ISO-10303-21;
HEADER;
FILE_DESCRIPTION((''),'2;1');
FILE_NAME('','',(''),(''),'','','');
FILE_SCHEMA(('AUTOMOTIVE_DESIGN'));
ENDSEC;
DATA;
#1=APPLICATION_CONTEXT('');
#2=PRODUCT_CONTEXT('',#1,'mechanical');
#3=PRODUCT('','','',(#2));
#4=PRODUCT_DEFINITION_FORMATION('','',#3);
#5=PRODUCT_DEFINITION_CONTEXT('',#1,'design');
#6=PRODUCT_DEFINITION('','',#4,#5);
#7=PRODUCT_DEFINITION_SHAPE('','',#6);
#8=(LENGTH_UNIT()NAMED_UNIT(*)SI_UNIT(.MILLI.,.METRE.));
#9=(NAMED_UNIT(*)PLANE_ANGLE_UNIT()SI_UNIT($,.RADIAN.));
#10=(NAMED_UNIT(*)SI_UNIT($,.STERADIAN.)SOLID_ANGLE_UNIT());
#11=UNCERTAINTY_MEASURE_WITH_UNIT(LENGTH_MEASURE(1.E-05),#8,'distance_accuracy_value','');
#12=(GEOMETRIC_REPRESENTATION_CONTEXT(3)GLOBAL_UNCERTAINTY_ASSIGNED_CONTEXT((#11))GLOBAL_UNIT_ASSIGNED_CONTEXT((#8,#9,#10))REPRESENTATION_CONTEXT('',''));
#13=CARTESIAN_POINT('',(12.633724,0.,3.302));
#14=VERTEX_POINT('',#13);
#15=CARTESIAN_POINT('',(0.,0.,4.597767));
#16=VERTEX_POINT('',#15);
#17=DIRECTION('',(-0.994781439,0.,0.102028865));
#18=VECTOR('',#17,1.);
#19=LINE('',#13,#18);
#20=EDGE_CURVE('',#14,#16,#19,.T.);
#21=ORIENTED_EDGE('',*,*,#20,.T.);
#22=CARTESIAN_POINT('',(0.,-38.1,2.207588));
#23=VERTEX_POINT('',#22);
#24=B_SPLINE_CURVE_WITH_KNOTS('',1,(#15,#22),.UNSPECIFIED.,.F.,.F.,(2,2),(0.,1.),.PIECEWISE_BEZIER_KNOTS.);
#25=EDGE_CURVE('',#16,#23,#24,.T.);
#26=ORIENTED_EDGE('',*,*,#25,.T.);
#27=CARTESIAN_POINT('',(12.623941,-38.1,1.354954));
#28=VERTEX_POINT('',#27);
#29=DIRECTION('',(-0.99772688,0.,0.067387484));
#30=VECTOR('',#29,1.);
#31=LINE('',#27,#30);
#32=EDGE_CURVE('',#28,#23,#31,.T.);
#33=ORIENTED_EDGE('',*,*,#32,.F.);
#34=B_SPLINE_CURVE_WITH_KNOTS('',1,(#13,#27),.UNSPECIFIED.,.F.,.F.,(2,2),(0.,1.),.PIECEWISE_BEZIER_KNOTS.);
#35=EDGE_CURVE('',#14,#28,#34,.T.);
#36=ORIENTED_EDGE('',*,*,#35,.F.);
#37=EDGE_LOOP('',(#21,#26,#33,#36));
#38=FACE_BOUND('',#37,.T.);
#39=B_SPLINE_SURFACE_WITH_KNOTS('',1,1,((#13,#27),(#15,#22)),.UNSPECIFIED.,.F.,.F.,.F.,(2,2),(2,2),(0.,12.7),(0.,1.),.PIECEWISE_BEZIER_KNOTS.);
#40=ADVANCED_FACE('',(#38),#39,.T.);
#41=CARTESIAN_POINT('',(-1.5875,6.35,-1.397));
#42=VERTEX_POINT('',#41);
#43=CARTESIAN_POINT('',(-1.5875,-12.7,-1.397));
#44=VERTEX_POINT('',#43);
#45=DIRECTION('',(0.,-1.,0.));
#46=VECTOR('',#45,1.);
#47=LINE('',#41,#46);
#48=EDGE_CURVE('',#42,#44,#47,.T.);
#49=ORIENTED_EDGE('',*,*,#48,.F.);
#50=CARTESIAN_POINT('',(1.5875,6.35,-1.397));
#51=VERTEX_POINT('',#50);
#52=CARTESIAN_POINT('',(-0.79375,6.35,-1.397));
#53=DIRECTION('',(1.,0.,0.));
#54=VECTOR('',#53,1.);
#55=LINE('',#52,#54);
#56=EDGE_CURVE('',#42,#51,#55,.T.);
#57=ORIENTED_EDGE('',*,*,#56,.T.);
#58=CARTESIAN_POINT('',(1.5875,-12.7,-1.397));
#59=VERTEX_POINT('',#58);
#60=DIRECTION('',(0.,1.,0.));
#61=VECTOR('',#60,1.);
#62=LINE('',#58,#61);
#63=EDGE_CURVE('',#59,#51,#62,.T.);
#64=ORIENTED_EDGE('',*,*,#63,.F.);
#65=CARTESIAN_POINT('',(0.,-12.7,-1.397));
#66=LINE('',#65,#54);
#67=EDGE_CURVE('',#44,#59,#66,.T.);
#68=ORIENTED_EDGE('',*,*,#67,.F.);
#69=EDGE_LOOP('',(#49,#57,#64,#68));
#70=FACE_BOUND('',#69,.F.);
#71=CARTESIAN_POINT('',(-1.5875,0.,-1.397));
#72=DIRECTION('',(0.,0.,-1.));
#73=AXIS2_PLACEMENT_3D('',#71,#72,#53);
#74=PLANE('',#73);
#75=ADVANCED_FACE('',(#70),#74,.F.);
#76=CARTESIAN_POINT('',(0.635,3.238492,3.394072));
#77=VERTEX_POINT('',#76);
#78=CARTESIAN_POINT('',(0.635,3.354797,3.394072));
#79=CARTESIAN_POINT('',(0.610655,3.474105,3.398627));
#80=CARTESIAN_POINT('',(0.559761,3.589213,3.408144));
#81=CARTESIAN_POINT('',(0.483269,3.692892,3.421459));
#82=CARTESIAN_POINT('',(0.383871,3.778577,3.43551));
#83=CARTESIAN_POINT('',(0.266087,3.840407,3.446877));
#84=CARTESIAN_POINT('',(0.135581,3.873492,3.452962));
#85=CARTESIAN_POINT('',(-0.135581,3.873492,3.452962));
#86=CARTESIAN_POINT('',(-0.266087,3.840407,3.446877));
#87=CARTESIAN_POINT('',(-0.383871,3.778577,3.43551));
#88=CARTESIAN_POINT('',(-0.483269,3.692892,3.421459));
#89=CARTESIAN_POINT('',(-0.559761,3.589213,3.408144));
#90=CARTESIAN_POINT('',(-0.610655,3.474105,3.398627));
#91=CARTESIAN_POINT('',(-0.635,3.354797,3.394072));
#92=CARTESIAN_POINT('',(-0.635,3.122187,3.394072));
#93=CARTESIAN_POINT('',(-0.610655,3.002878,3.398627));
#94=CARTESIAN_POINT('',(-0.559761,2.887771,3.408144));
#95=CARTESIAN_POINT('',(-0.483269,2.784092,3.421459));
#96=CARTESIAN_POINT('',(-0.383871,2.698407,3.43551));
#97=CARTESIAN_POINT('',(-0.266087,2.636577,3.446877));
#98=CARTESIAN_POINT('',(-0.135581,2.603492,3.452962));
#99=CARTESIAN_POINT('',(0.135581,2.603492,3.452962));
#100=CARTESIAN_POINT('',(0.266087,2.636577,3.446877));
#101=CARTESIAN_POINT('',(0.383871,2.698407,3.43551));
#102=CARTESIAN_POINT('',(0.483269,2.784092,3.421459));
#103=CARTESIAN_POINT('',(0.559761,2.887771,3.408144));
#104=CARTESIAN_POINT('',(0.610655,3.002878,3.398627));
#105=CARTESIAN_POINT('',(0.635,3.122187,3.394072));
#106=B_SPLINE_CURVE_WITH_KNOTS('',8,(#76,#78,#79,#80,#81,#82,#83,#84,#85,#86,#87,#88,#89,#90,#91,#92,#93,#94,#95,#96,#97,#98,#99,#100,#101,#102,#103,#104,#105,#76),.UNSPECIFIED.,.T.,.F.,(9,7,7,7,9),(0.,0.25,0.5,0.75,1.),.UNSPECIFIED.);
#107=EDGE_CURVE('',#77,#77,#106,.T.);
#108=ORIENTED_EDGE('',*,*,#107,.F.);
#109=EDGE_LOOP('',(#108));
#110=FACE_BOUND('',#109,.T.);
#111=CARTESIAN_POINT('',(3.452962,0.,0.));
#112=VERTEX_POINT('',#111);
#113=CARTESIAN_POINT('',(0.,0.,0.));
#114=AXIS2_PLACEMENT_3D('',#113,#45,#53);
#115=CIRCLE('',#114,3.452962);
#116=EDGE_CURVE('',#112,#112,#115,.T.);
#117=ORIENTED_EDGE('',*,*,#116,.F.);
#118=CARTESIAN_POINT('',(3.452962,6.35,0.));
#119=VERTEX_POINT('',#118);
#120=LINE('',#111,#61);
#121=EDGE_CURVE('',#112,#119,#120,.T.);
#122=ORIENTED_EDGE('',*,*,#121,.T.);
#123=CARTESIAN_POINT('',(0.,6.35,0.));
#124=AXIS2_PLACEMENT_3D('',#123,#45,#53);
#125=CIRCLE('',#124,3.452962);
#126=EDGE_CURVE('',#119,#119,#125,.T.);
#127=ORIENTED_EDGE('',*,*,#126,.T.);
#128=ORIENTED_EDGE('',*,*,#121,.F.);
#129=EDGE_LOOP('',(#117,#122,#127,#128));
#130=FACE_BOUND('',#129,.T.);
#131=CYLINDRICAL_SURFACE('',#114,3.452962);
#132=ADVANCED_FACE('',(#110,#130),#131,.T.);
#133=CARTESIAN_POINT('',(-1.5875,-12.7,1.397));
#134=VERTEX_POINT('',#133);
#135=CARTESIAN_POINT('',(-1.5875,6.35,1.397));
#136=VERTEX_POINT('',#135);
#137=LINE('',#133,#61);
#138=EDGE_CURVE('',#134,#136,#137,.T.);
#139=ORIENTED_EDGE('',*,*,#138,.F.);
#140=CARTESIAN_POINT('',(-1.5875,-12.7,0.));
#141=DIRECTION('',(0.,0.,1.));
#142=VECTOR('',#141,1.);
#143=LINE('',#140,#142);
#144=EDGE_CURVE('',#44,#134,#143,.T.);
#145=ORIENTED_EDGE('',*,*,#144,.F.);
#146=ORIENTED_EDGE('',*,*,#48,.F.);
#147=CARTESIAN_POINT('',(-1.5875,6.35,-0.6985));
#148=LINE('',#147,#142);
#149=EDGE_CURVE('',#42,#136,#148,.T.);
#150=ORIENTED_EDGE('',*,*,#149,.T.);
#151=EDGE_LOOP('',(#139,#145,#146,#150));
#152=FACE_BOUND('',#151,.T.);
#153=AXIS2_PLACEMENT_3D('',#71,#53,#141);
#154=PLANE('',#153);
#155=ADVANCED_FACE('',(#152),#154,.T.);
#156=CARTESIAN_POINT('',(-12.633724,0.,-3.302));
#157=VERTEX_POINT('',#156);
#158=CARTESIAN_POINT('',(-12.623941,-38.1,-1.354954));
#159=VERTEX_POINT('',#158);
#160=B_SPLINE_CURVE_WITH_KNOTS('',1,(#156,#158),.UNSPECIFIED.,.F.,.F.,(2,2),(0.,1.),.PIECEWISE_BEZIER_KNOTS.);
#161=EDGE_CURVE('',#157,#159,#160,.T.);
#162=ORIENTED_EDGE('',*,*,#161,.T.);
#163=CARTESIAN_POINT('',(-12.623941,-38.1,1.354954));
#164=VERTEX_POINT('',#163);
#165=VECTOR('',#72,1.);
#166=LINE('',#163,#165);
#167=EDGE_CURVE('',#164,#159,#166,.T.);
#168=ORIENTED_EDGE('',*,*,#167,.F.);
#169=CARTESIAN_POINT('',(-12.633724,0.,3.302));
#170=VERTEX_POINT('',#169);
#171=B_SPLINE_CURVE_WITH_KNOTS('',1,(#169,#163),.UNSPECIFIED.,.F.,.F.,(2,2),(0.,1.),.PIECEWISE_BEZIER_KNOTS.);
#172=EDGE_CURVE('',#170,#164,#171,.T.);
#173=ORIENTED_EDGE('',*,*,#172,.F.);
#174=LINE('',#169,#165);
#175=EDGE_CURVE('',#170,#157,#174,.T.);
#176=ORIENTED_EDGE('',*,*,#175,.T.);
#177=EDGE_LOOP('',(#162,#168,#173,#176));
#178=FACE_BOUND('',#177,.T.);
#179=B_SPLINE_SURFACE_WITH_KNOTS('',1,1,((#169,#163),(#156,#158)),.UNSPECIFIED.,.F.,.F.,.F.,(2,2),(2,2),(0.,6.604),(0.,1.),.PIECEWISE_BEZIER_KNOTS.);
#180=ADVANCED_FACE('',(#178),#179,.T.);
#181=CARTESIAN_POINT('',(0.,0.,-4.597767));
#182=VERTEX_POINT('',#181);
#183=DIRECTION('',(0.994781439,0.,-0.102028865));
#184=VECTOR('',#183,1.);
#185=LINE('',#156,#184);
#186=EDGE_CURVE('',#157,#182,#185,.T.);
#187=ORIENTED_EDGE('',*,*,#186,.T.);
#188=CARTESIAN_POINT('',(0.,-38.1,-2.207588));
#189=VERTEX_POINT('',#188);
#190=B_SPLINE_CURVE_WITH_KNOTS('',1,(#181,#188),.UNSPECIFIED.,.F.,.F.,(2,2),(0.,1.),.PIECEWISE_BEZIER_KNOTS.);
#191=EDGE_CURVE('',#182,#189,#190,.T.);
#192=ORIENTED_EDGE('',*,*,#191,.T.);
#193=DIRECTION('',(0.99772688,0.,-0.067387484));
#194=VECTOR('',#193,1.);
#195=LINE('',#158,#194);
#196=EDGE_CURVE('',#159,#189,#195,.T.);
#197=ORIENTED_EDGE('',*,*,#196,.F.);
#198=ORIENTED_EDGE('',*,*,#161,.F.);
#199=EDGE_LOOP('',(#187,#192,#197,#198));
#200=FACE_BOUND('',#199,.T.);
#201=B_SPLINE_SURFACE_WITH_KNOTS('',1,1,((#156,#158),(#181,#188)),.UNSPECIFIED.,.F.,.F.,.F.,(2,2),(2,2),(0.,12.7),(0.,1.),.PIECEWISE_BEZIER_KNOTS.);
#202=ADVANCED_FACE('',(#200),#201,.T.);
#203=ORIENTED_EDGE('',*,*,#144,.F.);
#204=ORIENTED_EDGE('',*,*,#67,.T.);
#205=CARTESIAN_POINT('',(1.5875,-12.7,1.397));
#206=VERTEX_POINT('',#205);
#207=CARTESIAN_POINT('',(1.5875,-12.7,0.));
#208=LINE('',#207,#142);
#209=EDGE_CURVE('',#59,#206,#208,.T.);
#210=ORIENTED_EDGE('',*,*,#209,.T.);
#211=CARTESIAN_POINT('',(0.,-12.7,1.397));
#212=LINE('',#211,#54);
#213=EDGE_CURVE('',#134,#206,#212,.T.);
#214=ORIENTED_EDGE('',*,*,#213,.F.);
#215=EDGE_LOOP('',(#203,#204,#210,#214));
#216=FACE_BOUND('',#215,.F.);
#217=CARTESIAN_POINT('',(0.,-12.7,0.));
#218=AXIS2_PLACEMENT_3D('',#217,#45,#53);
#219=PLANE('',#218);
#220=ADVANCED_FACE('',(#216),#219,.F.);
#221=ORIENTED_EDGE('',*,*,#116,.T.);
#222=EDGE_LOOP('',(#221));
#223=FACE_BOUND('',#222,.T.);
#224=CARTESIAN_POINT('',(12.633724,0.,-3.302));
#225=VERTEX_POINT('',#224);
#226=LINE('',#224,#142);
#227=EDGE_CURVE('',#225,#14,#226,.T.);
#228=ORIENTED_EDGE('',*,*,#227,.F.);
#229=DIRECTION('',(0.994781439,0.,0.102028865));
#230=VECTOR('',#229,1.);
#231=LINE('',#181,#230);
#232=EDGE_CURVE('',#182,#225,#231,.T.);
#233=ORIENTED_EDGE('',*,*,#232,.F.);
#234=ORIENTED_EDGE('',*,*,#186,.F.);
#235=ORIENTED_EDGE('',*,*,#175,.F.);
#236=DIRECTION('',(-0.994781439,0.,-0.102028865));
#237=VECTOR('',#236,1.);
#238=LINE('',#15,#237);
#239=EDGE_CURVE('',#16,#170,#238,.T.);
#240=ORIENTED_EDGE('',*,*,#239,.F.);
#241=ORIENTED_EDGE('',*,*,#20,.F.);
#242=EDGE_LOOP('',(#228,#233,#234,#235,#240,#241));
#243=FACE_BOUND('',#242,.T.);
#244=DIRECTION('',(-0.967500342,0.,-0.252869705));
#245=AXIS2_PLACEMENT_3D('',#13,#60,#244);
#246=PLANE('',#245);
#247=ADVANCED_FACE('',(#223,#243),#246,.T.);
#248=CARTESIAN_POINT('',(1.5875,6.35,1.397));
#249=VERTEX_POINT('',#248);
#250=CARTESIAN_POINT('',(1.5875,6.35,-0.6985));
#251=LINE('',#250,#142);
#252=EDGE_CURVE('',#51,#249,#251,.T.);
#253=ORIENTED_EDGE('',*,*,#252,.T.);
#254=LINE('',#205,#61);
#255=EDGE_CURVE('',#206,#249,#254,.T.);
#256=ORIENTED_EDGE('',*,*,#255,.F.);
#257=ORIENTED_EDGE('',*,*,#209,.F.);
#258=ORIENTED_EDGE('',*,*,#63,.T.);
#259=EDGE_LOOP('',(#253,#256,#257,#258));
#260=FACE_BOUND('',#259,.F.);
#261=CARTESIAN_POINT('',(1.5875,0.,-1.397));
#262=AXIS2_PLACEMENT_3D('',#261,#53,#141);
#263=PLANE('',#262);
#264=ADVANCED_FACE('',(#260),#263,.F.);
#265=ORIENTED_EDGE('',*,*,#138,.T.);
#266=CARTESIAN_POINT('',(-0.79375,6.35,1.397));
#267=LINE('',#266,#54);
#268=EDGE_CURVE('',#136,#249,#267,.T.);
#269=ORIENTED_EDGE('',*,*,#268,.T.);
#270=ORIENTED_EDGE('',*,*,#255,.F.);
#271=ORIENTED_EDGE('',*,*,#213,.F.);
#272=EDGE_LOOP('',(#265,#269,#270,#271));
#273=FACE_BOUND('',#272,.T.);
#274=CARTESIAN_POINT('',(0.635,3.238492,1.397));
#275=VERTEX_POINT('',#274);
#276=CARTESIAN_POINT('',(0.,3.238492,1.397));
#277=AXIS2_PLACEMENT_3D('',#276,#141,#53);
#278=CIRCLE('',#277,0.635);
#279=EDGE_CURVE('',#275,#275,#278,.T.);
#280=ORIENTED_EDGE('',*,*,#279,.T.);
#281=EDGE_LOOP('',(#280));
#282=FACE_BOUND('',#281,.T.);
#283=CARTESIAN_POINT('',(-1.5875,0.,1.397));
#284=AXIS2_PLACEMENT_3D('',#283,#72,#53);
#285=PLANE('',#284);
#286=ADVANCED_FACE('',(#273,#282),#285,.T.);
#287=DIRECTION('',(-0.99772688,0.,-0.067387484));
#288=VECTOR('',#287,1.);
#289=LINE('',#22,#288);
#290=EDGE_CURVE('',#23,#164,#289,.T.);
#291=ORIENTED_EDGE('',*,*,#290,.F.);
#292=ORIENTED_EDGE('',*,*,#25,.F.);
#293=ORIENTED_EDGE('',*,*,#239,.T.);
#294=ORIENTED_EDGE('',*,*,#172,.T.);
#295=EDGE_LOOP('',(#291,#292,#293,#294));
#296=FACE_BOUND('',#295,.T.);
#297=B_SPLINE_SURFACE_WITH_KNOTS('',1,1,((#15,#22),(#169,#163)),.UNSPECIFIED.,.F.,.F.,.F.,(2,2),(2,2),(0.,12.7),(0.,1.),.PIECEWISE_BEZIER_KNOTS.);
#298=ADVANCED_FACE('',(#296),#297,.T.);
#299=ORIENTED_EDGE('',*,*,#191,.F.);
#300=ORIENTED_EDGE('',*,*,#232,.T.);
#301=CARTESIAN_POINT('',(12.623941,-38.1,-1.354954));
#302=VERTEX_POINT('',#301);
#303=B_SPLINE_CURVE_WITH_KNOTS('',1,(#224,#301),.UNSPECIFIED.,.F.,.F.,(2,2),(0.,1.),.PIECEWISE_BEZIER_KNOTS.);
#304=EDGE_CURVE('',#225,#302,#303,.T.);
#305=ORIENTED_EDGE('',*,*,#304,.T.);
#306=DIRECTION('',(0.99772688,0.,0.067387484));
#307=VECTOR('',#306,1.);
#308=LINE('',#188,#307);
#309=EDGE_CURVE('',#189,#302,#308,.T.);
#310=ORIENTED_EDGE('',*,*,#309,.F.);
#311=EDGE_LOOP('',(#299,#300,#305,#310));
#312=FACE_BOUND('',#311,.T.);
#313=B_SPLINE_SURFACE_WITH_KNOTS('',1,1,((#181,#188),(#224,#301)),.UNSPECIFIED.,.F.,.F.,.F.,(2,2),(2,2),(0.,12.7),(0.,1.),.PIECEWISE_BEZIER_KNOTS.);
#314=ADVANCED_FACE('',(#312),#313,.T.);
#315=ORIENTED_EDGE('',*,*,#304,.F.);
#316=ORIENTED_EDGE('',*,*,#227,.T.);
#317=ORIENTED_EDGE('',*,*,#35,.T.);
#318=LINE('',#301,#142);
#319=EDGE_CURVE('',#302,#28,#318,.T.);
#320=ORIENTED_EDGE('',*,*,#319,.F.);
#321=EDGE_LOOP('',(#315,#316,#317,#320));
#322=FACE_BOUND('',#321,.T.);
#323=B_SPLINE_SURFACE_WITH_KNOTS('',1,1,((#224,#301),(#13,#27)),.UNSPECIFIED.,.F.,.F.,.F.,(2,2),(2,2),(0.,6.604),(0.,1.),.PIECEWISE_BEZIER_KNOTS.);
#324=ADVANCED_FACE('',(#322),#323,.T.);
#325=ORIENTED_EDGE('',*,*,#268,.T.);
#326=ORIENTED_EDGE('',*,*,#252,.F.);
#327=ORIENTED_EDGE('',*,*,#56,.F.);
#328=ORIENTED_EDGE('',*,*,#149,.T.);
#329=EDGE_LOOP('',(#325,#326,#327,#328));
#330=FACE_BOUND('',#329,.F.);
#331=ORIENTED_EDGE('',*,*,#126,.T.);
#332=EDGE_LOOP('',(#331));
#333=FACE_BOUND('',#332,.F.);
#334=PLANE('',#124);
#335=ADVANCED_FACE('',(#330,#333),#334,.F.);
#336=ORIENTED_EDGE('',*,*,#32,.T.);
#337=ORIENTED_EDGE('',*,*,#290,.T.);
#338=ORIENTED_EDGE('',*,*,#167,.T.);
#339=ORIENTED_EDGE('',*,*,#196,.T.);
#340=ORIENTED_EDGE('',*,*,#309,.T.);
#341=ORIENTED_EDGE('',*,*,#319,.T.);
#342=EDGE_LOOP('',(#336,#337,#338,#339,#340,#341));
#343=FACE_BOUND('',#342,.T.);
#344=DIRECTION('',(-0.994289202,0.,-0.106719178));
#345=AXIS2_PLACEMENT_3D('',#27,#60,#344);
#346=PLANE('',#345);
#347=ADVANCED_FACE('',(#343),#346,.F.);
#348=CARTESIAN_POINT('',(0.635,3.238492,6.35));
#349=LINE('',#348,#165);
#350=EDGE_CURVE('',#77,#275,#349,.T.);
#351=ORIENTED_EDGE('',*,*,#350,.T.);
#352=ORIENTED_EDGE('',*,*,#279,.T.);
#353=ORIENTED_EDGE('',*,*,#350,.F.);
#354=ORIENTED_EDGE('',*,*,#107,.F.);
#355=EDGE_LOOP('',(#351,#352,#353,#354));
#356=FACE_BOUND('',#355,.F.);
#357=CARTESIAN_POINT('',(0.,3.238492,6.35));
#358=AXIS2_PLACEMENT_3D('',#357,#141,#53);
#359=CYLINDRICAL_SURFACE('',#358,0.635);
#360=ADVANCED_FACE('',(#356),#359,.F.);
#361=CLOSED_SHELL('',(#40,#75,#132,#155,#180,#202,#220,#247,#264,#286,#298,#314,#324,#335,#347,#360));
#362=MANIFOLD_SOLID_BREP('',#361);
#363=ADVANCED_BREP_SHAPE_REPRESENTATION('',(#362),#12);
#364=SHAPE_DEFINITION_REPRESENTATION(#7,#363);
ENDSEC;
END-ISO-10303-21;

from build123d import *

# Parameters (mm, degrees)
F4_R          = 3.4529620344
F5_DEPTH      = 6.35
F6_W          = 3.175
F6_H          = 2.794
F7_DEPTH      = 25.4
F7_DEPTH_BACK = 12.7
F9_R          = 0.635
F10_DEPTH     = 6.35


with BuildPart() as f3:
    # F1 (on Front) → F3 section 0
    with BuildSketch(Plane.XZ):
        Polygon((12.6337242704, 3.302), (0, 4.5977665918), (-12.6337242704, 3.302), (-12.6337242704, 0), (-12.6337242704, -3.302), (0, -4.5977665918), (12.6337242704, -3.302), (12.6337242704, 0), align=None)
    # F2 (on offset) → F3 section 1
    with BuildSketch(Plane.XZ.offset(38.1)):
        Polygon((12.6239405945, -1.3549544383), (12.6239405945, 0), (12.6239405945, 1.3549544383), (0, 2.2075881716), (-12.6239405945, 1.3549544383), (-12.6239405945, 0), (-12.6239405945, -1.3549544383), (0, -2.2075881716), align=None)
    loft()

    # F4 (on Front) → F5 (join)
    with BuildSketch(Plane.XZ):
        Circle(F4_R)
    extrude(amount=-F5_DEPTH)

    # F6 (on Front) → F7 (cut, two sides)
    with BuildSketch(Plane.XZ) as f7_sk:
        Rectangle(F6_W, F6_H)
    extrude(amount=-F7_DEPTH, mode=Mode.SUBTRACT)
    extrude(f7_sk.sketch, amount=F7_DEPTH_BACK, mode=Mode.SUBTRACT)

    # F9 (on offset) → F10 (cut)
    with BuildSketch(Plane.XY.offset(6.35)):
        with Locations((0, 3.2384919468)):
            Circle(F9_R)
    extrude(amount=-F10_DEPTH, mode=Mode.SUBTRACT)


solid = f3.part
